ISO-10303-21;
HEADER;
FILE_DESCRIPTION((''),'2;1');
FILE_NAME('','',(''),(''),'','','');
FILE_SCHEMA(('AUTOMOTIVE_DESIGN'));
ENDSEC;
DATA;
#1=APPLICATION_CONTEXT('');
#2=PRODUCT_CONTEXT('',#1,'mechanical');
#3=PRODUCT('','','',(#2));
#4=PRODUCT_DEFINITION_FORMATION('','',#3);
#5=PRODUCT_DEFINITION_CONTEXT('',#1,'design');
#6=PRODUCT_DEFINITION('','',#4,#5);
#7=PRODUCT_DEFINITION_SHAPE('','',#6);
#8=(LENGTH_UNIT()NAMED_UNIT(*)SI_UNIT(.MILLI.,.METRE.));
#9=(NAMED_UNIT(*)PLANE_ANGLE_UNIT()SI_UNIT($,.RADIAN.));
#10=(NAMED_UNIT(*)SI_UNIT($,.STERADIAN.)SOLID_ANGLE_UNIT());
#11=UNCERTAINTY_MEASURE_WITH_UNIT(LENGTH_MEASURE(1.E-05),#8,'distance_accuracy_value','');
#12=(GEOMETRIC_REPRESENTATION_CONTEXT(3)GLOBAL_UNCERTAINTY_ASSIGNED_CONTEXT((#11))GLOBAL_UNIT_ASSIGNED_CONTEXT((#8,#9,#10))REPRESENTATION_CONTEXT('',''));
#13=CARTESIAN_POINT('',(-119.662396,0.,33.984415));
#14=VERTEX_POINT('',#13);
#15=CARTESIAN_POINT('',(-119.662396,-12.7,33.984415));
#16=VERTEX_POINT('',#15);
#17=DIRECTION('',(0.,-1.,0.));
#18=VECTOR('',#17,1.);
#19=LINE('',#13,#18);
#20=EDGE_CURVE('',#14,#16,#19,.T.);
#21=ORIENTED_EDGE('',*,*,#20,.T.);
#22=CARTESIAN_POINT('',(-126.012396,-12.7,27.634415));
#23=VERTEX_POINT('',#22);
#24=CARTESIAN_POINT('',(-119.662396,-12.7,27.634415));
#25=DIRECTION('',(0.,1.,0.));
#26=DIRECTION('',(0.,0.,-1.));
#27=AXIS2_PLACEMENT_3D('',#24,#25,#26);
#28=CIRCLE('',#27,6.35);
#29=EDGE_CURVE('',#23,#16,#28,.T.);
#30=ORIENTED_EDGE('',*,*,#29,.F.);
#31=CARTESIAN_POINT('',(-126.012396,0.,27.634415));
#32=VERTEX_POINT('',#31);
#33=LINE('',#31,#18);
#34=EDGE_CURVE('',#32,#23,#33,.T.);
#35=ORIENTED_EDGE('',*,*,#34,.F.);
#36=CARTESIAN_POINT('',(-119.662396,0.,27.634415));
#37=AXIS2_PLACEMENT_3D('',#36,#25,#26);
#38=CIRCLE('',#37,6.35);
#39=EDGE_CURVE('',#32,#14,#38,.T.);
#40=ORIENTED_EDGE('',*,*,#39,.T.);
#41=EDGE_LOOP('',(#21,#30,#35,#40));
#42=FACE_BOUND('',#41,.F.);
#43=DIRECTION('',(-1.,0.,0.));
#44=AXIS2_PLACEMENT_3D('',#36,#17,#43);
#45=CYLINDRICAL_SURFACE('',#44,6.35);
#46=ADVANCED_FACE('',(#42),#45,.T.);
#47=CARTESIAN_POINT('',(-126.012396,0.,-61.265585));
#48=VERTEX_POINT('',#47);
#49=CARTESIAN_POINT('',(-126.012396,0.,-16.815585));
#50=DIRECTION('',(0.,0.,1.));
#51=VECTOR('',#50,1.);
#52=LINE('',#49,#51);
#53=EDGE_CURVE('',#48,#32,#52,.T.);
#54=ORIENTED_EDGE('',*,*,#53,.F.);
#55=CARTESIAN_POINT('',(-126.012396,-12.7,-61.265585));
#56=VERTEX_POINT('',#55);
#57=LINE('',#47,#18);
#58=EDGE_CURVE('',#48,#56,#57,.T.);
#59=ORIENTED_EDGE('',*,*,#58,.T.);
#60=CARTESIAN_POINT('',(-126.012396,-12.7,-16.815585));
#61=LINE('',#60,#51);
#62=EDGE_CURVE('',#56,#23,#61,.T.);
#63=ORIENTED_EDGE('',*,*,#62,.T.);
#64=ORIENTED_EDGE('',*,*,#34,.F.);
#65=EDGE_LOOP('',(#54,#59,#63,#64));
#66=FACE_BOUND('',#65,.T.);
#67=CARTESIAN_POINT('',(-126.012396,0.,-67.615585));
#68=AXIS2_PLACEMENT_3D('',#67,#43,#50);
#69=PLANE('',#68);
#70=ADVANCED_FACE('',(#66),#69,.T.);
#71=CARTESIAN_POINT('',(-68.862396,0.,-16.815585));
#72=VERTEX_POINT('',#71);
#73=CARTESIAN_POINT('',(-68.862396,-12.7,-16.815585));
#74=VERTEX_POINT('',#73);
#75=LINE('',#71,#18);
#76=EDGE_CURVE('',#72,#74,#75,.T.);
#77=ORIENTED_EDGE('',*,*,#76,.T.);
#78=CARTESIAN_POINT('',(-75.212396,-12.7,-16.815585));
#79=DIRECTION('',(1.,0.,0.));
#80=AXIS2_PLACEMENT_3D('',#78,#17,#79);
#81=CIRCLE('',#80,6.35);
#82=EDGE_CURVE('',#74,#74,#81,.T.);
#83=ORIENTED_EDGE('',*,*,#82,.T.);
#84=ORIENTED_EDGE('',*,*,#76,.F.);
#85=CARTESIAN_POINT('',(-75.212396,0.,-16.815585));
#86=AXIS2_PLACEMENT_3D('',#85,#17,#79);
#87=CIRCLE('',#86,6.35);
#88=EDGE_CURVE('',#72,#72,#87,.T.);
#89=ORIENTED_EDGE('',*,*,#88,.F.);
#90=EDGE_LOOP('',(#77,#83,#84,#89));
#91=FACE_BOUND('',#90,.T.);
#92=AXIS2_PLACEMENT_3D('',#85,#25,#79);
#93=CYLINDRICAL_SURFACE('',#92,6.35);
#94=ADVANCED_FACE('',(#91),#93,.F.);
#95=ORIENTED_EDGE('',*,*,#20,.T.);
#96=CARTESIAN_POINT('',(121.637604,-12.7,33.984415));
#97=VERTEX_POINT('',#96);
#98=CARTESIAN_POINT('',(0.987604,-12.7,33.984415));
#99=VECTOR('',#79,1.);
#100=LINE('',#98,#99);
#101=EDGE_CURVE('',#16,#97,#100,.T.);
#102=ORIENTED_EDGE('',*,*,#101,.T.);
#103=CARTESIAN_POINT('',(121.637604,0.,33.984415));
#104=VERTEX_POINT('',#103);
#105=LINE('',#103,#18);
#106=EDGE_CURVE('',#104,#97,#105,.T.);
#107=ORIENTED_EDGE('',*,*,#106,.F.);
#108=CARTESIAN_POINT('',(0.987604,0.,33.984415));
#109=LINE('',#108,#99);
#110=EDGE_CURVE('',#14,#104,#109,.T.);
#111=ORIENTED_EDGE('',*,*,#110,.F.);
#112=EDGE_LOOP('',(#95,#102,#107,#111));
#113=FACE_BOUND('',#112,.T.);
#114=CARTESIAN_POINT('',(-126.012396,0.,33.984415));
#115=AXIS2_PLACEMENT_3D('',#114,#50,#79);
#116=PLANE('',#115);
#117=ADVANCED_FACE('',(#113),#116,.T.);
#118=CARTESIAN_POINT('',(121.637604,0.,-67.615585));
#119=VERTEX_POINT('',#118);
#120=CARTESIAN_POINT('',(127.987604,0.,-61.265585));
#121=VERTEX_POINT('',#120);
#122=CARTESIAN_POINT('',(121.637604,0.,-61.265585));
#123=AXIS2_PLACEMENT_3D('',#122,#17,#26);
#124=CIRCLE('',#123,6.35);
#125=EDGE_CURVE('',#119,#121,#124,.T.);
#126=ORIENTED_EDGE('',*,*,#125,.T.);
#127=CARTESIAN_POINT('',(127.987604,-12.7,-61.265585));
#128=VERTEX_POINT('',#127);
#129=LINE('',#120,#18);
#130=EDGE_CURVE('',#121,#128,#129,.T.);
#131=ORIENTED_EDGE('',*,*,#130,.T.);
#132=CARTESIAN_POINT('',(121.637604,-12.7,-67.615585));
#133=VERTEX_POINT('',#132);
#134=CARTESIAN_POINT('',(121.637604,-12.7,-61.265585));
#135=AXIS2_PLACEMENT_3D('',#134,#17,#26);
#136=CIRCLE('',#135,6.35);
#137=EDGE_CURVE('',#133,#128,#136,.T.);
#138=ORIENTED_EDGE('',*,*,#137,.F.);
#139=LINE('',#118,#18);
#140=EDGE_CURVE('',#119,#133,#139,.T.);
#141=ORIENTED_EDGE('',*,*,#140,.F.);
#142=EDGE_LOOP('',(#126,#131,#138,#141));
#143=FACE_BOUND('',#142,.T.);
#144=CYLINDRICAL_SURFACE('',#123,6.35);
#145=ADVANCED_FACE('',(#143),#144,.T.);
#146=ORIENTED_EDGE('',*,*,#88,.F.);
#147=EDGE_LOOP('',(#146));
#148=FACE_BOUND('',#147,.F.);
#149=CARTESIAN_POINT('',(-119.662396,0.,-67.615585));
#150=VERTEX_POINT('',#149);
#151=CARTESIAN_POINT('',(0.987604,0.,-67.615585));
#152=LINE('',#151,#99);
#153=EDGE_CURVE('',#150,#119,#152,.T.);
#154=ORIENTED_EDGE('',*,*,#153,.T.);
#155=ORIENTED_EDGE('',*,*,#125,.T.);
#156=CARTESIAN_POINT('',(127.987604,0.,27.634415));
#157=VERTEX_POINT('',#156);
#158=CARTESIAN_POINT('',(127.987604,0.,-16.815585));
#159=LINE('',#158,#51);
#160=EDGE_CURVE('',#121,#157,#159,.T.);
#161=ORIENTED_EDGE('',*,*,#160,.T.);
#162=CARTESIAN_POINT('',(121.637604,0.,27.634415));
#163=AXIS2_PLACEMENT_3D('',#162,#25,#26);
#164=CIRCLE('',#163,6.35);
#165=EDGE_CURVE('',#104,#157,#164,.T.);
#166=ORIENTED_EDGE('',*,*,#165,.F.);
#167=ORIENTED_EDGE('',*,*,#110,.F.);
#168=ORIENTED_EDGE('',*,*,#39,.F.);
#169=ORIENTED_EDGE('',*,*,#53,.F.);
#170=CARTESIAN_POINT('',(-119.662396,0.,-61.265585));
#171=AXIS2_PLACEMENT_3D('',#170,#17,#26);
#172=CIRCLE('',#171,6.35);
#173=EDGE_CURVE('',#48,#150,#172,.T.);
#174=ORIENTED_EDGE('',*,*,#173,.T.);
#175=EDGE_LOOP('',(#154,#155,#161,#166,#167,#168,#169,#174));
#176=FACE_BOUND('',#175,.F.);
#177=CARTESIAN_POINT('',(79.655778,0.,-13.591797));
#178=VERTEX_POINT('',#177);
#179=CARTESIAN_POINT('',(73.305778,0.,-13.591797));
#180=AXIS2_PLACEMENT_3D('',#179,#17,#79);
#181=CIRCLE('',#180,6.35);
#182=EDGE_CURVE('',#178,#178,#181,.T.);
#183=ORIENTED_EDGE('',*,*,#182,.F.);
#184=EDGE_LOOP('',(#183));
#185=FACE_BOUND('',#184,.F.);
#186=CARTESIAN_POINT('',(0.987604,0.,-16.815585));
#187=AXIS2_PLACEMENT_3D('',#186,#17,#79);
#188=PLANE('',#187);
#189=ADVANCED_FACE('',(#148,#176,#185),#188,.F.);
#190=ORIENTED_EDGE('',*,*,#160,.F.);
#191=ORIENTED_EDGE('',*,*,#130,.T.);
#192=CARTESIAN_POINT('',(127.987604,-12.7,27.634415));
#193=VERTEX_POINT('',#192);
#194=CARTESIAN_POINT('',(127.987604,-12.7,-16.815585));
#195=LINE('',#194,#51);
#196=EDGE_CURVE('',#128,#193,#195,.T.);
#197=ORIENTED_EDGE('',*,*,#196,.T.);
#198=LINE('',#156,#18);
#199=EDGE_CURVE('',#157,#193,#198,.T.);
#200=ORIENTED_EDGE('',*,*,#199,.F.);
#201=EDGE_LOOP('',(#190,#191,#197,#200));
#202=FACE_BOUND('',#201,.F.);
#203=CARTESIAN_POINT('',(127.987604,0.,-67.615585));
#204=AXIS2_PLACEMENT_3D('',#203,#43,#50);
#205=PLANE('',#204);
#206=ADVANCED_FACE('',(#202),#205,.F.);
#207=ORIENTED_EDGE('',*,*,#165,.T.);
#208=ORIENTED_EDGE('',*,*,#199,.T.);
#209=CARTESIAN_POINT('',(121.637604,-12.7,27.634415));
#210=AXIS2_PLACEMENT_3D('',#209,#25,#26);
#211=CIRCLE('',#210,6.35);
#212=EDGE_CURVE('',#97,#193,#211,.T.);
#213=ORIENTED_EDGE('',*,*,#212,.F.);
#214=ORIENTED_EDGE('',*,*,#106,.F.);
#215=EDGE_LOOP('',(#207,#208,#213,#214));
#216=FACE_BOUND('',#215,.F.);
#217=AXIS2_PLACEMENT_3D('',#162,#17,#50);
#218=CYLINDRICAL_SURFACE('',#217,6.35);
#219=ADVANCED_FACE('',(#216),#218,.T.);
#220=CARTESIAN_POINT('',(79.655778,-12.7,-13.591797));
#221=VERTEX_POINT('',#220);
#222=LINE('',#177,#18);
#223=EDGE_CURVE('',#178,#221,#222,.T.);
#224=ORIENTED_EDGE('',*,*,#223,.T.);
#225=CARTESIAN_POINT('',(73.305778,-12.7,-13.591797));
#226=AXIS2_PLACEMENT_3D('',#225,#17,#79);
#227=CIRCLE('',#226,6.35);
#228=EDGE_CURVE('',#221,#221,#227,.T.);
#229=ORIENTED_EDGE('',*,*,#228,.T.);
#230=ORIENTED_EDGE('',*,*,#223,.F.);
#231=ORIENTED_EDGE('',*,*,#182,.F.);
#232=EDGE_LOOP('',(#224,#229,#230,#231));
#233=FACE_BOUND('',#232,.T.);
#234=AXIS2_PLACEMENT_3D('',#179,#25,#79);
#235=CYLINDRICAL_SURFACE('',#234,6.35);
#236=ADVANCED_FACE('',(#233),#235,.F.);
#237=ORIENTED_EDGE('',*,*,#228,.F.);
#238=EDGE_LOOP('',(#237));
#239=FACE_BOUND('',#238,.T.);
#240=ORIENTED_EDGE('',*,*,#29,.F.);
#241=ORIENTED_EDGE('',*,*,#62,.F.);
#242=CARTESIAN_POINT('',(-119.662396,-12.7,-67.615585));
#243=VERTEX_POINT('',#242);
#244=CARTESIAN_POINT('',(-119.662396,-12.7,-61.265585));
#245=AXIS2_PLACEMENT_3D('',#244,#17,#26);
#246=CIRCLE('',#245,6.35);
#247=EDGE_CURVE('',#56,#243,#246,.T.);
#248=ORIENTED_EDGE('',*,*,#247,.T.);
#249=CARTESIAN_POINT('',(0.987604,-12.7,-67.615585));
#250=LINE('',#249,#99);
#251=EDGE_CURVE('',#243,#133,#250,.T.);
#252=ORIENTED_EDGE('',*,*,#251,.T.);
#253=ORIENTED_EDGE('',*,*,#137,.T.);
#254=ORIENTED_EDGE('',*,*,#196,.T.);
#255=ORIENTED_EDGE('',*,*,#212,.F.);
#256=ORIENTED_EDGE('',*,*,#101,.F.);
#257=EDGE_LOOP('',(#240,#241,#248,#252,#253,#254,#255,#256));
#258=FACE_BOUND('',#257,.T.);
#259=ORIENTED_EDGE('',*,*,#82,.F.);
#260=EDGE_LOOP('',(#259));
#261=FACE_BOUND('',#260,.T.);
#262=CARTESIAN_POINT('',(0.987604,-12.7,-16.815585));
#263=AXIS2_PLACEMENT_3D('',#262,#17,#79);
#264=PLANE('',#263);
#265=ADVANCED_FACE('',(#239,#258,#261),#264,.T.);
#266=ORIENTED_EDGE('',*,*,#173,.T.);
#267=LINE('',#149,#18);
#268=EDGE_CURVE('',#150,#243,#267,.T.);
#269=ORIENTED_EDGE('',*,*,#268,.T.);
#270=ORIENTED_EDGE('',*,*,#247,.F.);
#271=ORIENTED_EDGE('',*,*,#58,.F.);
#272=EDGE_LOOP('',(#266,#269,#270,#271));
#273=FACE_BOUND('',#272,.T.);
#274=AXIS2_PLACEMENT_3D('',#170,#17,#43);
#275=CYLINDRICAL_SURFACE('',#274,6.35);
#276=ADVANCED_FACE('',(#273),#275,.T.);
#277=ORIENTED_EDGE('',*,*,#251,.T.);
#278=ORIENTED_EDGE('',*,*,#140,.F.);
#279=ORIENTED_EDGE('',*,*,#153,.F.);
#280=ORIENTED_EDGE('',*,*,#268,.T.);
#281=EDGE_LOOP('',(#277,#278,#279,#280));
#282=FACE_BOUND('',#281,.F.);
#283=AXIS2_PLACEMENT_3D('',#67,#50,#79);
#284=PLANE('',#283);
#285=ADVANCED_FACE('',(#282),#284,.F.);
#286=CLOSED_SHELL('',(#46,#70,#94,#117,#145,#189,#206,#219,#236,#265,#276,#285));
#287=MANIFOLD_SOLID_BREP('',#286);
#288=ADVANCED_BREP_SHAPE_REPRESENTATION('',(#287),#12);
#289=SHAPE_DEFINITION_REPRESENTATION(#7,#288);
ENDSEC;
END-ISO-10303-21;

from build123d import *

# Parameters (mm, degrees)
F0_W     = 254
F0_H     = 101.6
F0_R     = 6.35
F1_DEPTH = 12.7
F2_R     = 6.35


with BuildPart() as f1:
    # F0 (on Front) → F1 (new body)
    with BuildSketch(Plane.XZ):
        with Locations((0.987604, -16.815585)):
            Rectangle(F0_W, F0_H)
        with Locations((-75.212396, -16.815585)):
            Circle(F0_R, mode=Mode.SUBTRACT)
        with Locations((73.305778, -13.591797)):
            Circle(F0_R, mode=Mode.SUBTRACT)
    extrude(amount=F1_DEPTH)

    # F2
    f2_edges = [f1.edges().sort_by_distance(p)[0] for p in [
        (-126.012396, -6.35, -67.615585),
        (127.987604, -6.35, -67.615585),
        (127.987604, -6.35, 33.984415),
        (-126.012396, -6.35, 33.984415),
    ]]
    fillet(f2_edges, radius=F2_R)


solid = f1.part
